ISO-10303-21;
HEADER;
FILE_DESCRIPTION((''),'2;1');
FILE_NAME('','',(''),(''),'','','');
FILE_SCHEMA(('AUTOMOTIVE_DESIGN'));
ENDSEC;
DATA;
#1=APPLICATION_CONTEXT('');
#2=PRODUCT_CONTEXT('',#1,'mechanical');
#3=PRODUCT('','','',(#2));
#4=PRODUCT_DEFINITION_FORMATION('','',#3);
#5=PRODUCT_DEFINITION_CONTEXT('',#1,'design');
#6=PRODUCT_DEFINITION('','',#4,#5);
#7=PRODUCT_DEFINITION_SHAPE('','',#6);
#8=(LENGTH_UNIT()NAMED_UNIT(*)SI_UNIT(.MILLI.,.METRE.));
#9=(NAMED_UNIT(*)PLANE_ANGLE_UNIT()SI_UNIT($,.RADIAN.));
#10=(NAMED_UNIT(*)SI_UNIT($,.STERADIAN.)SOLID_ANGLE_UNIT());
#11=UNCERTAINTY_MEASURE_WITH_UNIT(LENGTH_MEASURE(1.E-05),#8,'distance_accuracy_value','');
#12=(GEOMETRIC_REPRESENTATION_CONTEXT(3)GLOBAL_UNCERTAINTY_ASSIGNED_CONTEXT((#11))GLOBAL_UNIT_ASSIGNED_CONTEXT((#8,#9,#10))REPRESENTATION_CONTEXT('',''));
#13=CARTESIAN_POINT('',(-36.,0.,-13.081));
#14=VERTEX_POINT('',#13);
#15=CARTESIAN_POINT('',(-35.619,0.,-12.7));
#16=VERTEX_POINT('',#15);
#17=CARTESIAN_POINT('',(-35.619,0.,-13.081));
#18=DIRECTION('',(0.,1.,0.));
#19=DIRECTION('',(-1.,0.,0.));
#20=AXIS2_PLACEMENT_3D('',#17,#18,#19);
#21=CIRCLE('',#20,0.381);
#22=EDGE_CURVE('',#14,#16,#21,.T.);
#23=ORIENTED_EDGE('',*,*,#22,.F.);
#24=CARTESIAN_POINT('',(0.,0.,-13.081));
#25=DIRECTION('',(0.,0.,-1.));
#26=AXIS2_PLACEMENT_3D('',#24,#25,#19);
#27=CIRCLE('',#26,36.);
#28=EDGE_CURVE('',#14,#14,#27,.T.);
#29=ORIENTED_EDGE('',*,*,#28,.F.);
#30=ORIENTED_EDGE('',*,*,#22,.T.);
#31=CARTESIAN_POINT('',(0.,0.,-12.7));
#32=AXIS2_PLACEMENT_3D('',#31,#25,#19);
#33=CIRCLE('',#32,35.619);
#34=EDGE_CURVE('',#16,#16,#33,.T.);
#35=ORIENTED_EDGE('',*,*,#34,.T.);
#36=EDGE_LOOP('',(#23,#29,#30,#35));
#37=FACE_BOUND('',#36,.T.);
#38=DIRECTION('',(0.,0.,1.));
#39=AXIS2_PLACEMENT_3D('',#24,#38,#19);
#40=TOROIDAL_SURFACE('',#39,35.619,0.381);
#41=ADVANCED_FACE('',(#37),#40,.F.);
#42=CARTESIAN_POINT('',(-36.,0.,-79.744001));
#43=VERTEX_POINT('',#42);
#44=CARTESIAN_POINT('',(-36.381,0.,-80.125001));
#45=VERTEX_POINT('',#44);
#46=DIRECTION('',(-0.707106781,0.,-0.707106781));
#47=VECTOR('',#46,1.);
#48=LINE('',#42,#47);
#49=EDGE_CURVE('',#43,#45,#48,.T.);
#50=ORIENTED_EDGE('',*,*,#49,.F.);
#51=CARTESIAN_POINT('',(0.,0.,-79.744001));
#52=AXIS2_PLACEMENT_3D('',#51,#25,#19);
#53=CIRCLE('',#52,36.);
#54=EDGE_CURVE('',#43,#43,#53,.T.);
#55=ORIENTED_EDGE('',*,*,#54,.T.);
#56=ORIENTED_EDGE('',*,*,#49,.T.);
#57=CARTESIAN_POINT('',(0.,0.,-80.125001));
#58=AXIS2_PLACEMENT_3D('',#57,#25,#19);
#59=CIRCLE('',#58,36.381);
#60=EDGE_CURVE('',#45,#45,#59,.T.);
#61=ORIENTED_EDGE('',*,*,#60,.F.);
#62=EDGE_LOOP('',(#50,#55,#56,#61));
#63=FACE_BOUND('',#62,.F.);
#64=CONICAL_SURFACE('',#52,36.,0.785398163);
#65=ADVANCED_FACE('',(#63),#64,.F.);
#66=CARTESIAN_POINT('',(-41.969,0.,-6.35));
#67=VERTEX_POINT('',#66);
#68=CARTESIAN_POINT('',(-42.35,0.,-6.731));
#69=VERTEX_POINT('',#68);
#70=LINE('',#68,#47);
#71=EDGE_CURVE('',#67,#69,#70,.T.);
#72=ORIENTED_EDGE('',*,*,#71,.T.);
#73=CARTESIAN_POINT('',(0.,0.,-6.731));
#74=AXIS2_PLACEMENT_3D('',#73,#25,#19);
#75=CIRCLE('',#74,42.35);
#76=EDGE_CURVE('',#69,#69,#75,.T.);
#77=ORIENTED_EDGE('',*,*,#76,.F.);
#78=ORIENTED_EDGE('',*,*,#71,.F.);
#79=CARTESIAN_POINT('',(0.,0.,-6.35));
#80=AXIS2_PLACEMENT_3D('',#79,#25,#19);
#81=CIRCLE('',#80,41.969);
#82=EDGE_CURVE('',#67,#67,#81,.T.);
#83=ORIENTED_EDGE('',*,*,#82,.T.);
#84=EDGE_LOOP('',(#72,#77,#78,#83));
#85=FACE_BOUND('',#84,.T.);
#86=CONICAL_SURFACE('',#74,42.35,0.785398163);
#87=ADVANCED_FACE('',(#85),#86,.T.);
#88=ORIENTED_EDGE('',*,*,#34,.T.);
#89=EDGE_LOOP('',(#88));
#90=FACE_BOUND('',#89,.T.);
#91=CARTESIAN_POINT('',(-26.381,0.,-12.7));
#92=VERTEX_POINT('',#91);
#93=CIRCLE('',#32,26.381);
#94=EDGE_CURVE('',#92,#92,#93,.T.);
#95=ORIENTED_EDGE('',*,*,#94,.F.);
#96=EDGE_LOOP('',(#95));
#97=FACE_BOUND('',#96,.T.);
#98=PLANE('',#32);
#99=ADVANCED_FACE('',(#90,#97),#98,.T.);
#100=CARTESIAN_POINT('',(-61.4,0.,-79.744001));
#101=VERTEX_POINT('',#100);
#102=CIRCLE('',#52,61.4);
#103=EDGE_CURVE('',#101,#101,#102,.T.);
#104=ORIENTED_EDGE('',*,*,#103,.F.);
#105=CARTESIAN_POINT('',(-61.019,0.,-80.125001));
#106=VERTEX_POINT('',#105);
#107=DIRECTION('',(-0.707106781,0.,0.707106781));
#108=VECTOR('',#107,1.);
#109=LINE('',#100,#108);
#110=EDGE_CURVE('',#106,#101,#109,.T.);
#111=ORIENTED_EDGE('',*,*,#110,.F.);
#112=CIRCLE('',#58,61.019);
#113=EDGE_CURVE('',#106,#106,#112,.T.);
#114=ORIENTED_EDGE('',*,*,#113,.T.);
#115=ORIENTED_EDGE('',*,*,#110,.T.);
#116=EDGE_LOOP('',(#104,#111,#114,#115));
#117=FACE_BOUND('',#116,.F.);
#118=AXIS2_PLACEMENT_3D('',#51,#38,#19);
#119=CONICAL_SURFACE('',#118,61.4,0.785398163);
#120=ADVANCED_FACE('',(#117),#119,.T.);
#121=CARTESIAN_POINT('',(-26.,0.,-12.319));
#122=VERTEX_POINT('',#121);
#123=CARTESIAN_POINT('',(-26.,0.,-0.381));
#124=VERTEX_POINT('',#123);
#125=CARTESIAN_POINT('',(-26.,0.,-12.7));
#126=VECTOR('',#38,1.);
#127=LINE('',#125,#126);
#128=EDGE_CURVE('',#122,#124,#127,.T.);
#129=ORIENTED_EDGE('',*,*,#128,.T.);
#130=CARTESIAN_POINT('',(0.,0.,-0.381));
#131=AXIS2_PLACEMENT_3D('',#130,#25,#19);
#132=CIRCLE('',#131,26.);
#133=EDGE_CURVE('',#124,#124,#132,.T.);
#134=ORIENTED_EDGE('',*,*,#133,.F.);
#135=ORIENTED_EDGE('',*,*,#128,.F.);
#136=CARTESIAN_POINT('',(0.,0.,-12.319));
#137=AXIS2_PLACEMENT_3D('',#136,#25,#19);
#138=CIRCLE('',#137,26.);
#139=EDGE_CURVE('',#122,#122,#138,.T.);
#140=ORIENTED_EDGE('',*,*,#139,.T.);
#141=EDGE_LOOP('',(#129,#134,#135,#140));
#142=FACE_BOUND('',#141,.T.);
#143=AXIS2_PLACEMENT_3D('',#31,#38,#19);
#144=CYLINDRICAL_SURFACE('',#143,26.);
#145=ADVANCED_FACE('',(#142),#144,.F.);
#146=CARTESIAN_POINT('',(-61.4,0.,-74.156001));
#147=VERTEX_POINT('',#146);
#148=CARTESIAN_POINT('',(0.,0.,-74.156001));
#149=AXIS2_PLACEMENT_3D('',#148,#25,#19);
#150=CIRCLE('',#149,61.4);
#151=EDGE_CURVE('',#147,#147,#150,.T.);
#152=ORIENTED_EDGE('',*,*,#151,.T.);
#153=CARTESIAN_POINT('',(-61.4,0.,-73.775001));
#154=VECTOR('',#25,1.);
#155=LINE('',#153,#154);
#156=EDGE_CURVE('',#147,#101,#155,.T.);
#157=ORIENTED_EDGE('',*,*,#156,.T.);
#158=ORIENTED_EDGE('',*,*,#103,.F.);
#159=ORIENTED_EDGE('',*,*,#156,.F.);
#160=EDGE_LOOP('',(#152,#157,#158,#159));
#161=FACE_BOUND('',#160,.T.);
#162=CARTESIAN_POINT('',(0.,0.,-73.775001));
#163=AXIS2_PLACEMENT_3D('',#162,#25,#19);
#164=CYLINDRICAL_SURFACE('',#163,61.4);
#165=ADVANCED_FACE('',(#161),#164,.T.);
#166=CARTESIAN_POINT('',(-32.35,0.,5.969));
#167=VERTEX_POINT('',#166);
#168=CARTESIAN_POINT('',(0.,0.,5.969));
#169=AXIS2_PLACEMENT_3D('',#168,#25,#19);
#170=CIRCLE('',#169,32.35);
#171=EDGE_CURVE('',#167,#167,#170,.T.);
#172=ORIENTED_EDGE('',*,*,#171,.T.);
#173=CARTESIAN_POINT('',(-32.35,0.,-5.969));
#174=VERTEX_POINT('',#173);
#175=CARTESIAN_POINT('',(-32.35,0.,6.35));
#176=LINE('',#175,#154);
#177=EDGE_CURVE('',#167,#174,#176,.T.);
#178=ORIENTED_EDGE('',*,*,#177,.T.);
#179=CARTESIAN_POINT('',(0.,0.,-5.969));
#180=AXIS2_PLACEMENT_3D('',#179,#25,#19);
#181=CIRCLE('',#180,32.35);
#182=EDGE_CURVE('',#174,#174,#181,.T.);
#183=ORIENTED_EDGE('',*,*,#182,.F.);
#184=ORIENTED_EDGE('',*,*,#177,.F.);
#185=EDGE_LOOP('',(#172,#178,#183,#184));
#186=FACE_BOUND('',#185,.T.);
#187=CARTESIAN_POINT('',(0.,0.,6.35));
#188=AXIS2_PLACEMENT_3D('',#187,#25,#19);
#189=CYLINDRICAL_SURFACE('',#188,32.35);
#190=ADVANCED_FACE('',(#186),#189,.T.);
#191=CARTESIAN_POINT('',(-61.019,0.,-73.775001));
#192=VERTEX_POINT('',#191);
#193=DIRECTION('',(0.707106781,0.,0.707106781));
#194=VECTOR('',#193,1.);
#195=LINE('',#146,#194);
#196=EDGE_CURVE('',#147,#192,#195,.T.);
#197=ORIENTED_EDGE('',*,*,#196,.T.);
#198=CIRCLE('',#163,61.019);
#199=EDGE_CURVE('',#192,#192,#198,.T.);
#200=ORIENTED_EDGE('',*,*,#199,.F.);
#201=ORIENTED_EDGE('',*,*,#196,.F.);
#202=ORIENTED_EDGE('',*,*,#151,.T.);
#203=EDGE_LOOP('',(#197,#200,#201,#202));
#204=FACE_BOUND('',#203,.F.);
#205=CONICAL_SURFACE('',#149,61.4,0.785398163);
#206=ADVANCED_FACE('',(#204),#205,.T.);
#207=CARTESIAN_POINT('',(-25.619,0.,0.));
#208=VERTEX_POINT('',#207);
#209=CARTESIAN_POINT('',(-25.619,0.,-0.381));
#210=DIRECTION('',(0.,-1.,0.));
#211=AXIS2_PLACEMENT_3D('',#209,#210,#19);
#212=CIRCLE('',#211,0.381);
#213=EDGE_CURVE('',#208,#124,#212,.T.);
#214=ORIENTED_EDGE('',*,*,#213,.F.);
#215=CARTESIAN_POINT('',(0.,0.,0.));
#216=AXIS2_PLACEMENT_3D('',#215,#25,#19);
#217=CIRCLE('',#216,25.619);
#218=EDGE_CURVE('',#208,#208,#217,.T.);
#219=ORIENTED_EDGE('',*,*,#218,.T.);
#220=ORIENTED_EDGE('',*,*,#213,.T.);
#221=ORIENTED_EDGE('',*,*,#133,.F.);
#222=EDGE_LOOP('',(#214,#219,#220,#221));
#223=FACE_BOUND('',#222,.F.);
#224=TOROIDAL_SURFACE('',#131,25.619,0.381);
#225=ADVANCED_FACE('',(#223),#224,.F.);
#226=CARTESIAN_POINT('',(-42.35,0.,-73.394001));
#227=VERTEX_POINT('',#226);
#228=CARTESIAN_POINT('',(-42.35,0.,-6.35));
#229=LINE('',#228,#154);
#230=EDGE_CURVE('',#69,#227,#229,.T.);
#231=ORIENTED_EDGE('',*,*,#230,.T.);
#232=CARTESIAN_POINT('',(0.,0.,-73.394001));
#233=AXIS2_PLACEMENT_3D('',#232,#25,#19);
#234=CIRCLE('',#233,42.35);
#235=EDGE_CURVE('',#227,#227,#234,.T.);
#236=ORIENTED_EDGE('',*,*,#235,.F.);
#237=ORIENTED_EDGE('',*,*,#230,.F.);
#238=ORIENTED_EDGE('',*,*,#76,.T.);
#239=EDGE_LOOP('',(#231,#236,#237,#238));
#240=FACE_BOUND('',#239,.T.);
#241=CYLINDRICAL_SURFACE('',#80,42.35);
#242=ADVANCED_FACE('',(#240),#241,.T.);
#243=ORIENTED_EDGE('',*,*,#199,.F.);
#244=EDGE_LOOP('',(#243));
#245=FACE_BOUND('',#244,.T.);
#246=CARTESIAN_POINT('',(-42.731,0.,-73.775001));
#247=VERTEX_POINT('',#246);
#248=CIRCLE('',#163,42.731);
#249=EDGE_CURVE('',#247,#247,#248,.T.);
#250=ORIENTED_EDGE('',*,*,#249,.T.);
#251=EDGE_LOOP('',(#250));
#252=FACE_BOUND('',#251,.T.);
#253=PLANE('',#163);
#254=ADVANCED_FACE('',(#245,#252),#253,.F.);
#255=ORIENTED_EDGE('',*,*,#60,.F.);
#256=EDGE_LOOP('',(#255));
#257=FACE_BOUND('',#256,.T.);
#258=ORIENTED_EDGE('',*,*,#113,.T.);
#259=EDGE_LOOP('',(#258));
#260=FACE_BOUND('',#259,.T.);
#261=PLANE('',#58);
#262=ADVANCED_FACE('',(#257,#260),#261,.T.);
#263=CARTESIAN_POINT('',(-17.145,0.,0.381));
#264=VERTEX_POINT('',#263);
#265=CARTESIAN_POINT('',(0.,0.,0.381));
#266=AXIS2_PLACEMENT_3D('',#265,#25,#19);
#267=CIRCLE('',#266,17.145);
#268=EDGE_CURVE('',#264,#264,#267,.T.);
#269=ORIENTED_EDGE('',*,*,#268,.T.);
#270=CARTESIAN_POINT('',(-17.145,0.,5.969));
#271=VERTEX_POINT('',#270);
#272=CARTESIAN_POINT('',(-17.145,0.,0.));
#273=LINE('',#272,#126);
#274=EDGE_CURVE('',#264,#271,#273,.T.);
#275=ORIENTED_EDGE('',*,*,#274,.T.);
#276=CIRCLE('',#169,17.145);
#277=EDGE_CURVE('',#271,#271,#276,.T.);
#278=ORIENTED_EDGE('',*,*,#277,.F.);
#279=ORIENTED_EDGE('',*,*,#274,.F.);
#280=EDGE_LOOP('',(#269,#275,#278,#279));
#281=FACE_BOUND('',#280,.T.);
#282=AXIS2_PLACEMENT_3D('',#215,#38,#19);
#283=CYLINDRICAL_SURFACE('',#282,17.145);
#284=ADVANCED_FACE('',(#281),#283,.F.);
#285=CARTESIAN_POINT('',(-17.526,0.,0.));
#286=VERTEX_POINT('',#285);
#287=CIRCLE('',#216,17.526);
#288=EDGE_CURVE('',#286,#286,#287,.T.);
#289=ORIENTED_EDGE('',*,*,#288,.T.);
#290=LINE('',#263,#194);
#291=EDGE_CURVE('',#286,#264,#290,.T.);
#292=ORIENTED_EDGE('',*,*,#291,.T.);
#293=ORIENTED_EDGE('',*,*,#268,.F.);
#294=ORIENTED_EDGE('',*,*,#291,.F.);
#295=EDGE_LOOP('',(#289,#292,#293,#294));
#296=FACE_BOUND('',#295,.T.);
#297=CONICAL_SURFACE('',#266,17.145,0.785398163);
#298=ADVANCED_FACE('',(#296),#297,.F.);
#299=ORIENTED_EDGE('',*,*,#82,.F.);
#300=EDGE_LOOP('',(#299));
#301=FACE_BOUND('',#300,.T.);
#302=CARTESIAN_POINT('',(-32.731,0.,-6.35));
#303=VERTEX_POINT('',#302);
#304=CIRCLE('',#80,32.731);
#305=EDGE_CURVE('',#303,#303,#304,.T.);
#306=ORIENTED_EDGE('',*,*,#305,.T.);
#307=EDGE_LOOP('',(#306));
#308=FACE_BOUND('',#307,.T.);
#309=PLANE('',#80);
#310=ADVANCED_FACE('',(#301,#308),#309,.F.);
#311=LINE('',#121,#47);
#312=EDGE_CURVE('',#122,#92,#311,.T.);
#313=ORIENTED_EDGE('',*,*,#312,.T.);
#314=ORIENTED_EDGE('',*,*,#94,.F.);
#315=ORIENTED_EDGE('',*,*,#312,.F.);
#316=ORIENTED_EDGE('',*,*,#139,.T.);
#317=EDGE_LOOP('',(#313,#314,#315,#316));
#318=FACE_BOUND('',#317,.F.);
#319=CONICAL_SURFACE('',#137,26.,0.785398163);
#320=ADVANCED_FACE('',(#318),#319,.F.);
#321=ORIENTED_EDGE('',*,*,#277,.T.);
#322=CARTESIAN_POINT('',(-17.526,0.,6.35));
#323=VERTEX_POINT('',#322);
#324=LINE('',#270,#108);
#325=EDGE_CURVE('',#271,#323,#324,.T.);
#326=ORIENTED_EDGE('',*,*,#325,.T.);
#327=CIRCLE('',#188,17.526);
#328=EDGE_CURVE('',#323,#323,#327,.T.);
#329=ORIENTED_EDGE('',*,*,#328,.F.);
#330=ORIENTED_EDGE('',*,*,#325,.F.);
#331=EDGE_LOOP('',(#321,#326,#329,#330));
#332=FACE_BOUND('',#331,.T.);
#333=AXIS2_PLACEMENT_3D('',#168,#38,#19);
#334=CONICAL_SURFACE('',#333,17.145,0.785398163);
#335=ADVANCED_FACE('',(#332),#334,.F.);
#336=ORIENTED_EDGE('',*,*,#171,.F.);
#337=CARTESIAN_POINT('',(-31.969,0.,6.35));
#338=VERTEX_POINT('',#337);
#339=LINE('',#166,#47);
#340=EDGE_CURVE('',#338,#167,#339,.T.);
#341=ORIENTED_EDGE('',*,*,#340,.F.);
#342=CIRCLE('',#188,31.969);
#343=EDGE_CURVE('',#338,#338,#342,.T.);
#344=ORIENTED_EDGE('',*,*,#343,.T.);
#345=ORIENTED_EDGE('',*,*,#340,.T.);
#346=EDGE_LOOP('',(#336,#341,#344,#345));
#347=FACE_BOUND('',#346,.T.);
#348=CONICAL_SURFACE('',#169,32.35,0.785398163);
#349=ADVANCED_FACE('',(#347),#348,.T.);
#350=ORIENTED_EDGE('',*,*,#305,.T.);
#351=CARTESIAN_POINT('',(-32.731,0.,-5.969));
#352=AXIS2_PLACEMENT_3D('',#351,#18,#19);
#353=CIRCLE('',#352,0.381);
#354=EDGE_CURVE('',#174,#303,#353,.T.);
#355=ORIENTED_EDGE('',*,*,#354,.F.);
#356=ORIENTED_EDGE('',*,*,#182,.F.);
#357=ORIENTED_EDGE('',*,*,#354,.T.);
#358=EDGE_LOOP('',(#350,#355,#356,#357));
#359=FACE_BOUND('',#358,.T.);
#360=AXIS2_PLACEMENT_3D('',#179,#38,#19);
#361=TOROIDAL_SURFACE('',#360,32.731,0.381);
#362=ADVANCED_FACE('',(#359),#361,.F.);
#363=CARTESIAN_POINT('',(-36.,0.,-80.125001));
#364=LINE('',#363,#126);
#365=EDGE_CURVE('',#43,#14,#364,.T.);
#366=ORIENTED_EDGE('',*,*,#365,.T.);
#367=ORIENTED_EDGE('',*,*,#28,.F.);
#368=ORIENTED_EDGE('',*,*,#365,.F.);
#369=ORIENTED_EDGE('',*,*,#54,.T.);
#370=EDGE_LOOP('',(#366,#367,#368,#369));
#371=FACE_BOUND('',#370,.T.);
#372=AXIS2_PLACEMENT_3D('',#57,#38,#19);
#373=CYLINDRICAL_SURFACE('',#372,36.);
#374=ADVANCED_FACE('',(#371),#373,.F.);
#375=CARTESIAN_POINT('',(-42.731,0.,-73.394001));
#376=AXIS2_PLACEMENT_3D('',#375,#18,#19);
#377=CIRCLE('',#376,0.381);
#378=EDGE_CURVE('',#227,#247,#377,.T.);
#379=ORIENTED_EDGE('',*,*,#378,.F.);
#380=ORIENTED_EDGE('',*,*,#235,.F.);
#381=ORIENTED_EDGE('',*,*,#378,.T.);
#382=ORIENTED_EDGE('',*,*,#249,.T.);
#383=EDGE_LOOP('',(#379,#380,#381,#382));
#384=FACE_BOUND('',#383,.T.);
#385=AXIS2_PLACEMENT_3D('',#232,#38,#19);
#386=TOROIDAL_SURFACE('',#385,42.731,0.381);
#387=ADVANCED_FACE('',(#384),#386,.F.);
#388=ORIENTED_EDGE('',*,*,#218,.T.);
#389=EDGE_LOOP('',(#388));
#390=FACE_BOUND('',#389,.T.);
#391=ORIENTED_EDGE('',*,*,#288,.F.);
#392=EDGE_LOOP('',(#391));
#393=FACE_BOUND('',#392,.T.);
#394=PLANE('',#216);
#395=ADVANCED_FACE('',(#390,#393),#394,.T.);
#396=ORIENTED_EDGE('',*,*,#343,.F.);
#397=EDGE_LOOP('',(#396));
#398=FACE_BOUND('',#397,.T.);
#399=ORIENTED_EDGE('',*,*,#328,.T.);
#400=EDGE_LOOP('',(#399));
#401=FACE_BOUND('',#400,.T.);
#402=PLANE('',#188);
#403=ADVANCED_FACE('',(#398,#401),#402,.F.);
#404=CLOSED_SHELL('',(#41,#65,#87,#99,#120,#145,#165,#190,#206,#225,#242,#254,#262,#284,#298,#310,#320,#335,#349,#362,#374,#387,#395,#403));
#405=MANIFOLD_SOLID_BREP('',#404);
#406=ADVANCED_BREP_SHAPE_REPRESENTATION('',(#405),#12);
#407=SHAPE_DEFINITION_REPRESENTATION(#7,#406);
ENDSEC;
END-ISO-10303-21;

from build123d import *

# Parameters (mm, degrees)
F2_R    = 0.381
F3_SIZE = 0.381


with BuildPart() as f1:
    # F0 (on Front) → F1 (revolve)
    with BuildSketch(Plane.XZ):
        Polygon((-26, 0), (-17.145, 0), (-17.145, 6.35), (-32.35, 6.35), (-32.35, -6.35), (-42.35, -6.35), (-42.35, -73.775001), (-61.4, -73.775001), (-61.4, -80.125001), (-36, -80.125001), (-36, -12.7), (-26, -12.7), align=None)
    revolve(axis=Axis((0, 0, -27.375497), (0, 0, -1)))

    # F2
    f2_edges = [f1.edges().sort_by_distance(p)[0] for p in [
        (32.35, 0, -6.35),
        (42.35, 0, -73.775001),
        (36, 0, -12.7),
        (26, 0, 0),
    ]]
    fillet(f2_edges, radius=F2_R)

    # F3
    f3_edges = [f1.edges().sort_by_distance(p)[0] for p in [
        (32.35, 0, 6.35),
        (17.145, 0, 6.35),
        (42.35, 0, -6.35),
        (61.4, 0, -73.775001),
        (61.4, 0, -80.125001),
        (36, 0, -80.125001),
        (26, 0, -12.7),
        (17.145, 0, 0),
    ]]
    chamfer(f3_edges, length=F3_SIZE)


solid = f1.part
